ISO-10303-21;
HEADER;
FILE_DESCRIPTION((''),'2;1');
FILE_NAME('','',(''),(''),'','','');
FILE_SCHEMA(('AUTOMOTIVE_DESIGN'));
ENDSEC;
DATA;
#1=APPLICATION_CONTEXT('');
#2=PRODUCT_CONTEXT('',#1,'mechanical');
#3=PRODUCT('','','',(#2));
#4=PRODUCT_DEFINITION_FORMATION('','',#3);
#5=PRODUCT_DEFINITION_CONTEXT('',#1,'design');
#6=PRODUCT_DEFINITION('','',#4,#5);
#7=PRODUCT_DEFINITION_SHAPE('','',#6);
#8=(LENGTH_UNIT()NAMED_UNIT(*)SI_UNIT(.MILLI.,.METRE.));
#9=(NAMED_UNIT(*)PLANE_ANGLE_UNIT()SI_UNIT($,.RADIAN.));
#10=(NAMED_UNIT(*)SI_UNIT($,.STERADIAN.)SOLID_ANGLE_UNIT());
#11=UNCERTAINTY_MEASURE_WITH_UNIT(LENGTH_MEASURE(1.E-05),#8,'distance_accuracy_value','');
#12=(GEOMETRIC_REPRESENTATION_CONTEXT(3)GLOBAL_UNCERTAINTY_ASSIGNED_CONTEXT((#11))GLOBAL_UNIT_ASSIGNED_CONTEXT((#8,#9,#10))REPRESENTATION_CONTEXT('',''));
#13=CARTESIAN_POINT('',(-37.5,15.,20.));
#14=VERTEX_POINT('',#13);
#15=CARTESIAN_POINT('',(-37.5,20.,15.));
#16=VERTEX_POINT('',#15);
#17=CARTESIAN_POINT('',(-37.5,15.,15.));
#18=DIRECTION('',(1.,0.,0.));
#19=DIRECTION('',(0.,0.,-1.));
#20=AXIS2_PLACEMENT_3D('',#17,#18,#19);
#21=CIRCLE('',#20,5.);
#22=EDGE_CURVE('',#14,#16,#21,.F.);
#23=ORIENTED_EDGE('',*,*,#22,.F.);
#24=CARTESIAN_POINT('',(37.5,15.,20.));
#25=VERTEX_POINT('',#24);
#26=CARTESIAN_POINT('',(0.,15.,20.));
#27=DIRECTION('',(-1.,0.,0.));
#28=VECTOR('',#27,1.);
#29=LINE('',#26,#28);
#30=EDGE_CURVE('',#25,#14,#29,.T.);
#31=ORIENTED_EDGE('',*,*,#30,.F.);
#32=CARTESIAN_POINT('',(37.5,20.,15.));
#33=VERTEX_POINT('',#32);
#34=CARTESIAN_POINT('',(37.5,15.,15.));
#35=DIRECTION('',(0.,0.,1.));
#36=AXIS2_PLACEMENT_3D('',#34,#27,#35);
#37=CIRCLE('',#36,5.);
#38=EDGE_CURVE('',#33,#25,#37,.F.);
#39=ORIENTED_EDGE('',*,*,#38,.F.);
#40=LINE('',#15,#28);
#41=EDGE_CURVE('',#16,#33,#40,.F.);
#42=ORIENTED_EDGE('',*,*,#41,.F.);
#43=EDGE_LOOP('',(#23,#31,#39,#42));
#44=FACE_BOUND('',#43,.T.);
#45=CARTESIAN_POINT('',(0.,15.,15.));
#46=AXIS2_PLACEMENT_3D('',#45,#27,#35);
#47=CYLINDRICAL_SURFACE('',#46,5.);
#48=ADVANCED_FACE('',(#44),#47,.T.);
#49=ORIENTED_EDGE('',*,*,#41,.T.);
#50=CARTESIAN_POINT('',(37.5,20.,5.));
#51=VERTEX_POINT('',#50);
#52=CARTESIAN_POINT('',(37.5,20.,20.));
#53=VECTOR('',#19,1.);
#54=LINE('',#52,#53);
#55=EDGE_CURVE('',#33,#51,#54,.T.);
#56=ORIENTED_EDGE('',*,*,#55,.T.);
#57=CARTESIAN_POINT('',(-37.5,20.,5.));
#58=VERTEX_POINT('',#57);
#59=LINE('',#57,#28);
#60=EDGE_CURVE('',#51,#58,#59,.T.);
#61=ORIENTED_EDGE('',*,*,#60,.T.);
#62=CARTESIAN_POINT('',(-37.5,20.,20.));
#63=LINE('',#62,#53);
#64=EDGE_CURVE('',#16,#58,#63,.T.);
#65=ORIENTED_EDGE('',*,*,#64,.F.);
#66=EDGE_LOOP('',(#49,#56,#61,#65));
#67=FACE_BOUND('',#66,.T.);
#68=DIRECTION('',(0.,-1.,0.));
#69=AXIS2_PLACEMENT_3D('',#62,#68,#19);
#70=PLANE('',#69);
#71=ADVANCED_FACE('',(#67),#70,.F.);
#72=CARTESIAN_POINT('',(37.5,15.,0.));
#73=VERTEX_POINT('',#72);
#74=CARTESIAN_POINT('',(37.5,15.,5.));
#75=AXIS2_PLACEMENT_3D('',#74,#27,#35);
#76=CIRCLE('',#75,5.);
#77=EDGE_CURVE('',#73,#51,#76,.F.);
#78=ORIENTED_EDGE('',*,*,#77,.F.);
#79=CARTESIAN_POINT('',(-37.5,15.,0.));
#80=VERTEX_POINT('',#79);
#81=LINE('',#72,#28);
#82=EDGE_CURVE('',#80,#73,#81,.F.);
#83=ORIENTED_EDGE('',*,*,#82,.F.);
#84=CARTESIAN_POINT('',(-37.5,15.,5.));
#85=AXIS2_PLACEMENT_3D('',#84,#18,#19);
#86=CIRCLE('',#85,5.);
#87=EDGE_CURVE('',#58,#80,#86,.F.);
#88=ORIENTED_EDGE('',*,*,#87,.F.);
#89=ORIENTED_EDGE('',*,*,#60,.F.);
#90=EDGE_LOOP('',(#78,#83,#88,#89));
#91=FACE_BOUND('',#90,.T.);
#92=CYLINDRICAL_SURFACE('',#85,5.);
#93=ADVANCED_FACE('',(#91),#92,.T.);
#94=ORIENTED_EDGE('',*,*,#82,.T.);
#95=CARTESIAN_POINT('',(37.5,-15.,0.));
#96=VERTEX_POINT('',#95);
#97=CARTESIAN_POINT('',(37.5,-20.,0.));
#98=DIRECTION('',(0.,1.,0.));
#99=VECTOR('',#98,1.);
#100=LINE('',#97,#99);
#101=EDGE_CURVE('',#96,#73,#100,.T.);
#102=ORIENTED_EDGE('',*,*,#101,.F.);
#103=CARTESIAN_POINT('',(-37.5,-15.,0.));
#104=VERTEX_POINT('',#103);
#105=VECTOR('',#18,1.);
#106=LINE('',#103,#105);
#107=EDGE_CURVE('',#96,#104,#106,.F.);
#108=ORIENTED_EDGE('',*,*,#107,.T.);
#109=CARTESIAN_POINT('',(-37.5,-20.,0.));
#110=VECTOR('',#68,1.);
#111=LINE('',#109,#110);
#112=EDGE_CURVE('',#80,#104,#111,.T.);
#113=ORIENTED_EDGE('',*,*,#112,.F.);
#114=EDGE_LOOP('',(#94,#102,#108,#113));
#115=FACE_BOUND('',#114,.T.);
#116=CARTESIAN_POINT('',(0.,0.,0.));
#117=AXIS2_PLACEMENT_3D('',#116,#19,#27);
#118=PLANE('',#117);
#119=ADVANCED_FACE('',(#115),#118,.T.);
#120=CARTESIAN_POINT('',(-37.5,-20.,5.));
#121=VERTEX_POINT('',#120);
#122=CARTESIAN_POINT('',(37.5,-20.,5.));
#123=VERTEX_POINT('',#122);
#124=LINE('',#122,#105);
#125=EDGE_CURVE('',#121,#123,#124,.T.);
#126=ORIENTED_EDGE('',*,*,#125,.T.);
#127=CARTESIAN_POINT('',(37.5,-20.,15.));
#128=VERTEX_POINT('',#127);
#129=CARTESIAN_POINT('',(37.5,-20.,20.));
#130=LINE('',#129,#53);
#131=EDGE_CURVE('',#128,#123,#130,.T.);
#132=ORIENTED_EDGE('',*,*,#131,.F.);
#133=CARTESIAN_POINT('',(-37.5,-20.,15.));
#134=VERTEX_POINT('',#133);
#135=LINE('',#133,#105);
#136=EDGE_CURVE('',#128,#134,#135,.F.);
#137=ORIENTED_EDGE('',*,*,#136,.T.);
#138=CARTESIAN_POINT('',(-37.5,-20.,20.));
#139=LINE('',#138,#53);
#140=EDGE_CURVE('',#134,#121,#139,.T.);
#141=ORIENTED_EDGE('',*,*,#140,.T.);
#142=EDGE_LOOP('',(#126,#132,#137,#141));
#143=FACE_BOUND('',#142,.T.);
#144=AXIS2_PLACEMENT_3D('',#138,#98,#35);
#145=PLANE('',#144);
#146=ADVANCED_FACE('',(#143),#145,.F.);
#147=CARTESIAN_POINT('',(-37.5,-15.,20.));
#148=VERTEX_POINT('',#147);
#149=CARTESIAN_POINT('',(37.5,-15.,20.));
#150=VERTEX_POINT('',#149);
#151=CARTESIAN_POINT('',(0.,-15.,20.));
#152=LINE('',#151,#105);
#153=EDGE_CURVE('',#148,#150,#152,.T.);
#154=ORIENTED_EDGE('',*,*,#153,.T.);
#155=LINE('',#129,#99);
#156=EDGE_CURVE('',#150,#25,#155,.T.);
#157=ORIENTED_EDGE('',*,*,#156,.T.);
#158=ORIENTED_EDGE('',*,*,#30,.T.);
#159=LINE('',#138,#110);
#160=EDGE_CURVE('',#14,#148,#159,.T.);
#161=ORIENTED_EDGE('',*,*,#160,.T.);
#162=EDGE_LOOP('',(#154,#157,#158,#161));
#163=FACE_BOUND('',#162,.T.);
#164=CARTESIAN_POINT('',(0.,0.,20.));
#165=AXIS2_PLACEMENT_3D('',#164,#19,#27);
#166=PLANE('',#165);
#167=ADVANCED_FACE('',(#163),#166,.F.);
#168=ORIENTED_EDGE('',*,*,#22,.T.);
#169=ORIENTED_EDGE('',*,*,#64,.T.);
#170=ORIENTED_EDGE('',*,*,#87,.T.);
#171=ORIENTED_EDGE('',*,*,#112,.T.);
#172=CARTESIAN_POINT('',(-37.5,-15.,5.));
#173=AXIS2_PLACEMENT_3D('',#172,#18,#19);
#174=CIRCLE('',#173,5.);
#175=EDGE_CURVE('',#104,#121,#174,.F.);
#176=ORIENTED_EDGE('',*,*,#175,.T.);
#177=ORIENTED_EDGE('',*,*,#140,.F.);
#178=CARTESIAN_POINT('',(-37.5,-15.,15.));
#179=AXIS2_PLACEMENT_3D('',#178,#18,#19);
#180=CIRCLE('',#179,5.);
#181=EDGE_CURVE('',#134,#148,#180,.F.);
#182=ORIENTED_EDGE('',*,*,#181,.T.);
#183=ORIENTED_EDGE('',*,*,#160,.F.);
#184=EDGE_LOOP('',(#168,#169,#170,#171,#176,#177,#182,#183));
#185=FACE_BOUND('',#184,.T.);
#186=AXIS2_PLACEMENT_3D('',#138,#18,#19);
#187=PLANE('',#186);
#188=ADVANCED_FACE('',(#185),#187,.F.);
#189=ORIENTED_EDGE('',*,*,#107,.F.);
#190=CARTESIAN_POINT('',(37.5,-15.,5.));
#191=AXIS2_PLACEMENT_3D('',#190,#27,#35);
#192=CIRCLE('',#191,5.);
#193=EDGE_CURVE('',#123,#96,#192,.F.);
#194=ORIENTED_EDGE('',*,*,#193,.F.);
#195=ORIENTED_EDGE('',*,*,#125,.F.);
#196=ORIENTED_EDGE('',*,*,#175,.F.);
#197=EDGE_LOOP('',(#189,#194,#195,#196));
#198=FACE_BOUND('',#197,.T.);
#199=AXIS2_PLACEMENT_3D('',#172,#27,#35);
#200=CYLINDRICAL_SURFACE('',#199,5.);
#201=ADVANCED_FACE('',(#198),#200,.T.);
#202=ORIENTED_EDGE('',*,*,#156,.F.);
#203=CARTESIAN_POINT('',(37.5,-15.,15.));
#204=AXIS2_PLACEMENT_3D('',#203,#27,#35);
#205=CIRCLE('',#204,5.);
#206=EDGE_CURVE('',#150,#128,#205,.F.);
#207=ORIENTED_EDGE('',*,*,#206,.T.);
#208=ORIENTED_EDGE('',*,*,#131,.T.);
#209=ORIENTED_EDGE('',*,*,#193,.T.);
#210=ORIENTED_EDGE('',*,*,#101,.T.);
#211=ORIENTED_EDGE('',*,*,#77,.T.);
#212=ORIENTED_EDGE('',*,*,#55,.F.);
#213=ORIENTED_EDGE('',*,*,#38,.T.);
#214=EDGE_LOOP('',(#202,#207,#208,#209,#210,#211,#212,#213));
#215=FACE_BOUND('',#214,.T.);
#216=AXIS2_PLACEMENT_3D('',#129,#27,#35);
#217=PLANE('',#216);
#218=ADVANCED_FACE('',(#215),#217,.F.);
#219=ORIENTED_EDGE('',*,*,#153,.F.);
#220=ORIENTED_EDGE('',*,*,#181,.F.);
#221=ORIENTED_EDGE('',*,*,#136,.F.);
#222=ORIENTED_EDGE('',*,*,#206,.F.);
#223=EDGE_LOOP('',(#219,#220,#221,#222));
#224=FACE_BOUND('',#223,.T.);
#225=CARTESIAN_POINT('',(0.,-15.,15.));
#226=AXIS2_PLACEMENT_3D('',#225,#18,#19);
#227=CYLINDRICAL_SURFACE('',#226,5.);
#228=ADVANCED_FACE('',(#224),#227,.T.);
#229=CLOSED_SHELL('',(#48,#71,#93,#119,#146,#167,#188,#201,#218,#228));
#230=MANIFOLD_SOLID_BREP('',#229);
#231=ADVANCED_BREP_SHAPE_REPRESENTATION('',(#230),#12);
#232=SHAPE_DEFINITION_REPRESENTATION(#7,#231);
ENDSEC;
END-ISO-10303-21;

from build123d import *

# Parameters (mm, degrees)
CROQUIS1_W              = 75
CROQUIS1_H              = 40
SALIENTE_EXTRUIR1_DEPTH = 20
REDONDEO1_R             = 5


with BuildPart() as part:
    # Croquis1 → Saliente-Extruir1 (new body)
    with BuildSketch(Plane.XY):
        Rectangle(CROQUIS1_W, CROQUIS1_H)
    extrude(amount=SALIENTE_EXTRUIR1_DEPTH)

    # Redondeo1
    redondeo1_edges = [part.edges().sort_by_distance(p)[0] for p in [
        (0, -20, 20),
        (0, -20, 0),
        (0, 20, 0),
        (0, 20, 20),
    ]]
    fillet(redondeo1_edges, radius=REDONDEO1_R)


solid = part.part
